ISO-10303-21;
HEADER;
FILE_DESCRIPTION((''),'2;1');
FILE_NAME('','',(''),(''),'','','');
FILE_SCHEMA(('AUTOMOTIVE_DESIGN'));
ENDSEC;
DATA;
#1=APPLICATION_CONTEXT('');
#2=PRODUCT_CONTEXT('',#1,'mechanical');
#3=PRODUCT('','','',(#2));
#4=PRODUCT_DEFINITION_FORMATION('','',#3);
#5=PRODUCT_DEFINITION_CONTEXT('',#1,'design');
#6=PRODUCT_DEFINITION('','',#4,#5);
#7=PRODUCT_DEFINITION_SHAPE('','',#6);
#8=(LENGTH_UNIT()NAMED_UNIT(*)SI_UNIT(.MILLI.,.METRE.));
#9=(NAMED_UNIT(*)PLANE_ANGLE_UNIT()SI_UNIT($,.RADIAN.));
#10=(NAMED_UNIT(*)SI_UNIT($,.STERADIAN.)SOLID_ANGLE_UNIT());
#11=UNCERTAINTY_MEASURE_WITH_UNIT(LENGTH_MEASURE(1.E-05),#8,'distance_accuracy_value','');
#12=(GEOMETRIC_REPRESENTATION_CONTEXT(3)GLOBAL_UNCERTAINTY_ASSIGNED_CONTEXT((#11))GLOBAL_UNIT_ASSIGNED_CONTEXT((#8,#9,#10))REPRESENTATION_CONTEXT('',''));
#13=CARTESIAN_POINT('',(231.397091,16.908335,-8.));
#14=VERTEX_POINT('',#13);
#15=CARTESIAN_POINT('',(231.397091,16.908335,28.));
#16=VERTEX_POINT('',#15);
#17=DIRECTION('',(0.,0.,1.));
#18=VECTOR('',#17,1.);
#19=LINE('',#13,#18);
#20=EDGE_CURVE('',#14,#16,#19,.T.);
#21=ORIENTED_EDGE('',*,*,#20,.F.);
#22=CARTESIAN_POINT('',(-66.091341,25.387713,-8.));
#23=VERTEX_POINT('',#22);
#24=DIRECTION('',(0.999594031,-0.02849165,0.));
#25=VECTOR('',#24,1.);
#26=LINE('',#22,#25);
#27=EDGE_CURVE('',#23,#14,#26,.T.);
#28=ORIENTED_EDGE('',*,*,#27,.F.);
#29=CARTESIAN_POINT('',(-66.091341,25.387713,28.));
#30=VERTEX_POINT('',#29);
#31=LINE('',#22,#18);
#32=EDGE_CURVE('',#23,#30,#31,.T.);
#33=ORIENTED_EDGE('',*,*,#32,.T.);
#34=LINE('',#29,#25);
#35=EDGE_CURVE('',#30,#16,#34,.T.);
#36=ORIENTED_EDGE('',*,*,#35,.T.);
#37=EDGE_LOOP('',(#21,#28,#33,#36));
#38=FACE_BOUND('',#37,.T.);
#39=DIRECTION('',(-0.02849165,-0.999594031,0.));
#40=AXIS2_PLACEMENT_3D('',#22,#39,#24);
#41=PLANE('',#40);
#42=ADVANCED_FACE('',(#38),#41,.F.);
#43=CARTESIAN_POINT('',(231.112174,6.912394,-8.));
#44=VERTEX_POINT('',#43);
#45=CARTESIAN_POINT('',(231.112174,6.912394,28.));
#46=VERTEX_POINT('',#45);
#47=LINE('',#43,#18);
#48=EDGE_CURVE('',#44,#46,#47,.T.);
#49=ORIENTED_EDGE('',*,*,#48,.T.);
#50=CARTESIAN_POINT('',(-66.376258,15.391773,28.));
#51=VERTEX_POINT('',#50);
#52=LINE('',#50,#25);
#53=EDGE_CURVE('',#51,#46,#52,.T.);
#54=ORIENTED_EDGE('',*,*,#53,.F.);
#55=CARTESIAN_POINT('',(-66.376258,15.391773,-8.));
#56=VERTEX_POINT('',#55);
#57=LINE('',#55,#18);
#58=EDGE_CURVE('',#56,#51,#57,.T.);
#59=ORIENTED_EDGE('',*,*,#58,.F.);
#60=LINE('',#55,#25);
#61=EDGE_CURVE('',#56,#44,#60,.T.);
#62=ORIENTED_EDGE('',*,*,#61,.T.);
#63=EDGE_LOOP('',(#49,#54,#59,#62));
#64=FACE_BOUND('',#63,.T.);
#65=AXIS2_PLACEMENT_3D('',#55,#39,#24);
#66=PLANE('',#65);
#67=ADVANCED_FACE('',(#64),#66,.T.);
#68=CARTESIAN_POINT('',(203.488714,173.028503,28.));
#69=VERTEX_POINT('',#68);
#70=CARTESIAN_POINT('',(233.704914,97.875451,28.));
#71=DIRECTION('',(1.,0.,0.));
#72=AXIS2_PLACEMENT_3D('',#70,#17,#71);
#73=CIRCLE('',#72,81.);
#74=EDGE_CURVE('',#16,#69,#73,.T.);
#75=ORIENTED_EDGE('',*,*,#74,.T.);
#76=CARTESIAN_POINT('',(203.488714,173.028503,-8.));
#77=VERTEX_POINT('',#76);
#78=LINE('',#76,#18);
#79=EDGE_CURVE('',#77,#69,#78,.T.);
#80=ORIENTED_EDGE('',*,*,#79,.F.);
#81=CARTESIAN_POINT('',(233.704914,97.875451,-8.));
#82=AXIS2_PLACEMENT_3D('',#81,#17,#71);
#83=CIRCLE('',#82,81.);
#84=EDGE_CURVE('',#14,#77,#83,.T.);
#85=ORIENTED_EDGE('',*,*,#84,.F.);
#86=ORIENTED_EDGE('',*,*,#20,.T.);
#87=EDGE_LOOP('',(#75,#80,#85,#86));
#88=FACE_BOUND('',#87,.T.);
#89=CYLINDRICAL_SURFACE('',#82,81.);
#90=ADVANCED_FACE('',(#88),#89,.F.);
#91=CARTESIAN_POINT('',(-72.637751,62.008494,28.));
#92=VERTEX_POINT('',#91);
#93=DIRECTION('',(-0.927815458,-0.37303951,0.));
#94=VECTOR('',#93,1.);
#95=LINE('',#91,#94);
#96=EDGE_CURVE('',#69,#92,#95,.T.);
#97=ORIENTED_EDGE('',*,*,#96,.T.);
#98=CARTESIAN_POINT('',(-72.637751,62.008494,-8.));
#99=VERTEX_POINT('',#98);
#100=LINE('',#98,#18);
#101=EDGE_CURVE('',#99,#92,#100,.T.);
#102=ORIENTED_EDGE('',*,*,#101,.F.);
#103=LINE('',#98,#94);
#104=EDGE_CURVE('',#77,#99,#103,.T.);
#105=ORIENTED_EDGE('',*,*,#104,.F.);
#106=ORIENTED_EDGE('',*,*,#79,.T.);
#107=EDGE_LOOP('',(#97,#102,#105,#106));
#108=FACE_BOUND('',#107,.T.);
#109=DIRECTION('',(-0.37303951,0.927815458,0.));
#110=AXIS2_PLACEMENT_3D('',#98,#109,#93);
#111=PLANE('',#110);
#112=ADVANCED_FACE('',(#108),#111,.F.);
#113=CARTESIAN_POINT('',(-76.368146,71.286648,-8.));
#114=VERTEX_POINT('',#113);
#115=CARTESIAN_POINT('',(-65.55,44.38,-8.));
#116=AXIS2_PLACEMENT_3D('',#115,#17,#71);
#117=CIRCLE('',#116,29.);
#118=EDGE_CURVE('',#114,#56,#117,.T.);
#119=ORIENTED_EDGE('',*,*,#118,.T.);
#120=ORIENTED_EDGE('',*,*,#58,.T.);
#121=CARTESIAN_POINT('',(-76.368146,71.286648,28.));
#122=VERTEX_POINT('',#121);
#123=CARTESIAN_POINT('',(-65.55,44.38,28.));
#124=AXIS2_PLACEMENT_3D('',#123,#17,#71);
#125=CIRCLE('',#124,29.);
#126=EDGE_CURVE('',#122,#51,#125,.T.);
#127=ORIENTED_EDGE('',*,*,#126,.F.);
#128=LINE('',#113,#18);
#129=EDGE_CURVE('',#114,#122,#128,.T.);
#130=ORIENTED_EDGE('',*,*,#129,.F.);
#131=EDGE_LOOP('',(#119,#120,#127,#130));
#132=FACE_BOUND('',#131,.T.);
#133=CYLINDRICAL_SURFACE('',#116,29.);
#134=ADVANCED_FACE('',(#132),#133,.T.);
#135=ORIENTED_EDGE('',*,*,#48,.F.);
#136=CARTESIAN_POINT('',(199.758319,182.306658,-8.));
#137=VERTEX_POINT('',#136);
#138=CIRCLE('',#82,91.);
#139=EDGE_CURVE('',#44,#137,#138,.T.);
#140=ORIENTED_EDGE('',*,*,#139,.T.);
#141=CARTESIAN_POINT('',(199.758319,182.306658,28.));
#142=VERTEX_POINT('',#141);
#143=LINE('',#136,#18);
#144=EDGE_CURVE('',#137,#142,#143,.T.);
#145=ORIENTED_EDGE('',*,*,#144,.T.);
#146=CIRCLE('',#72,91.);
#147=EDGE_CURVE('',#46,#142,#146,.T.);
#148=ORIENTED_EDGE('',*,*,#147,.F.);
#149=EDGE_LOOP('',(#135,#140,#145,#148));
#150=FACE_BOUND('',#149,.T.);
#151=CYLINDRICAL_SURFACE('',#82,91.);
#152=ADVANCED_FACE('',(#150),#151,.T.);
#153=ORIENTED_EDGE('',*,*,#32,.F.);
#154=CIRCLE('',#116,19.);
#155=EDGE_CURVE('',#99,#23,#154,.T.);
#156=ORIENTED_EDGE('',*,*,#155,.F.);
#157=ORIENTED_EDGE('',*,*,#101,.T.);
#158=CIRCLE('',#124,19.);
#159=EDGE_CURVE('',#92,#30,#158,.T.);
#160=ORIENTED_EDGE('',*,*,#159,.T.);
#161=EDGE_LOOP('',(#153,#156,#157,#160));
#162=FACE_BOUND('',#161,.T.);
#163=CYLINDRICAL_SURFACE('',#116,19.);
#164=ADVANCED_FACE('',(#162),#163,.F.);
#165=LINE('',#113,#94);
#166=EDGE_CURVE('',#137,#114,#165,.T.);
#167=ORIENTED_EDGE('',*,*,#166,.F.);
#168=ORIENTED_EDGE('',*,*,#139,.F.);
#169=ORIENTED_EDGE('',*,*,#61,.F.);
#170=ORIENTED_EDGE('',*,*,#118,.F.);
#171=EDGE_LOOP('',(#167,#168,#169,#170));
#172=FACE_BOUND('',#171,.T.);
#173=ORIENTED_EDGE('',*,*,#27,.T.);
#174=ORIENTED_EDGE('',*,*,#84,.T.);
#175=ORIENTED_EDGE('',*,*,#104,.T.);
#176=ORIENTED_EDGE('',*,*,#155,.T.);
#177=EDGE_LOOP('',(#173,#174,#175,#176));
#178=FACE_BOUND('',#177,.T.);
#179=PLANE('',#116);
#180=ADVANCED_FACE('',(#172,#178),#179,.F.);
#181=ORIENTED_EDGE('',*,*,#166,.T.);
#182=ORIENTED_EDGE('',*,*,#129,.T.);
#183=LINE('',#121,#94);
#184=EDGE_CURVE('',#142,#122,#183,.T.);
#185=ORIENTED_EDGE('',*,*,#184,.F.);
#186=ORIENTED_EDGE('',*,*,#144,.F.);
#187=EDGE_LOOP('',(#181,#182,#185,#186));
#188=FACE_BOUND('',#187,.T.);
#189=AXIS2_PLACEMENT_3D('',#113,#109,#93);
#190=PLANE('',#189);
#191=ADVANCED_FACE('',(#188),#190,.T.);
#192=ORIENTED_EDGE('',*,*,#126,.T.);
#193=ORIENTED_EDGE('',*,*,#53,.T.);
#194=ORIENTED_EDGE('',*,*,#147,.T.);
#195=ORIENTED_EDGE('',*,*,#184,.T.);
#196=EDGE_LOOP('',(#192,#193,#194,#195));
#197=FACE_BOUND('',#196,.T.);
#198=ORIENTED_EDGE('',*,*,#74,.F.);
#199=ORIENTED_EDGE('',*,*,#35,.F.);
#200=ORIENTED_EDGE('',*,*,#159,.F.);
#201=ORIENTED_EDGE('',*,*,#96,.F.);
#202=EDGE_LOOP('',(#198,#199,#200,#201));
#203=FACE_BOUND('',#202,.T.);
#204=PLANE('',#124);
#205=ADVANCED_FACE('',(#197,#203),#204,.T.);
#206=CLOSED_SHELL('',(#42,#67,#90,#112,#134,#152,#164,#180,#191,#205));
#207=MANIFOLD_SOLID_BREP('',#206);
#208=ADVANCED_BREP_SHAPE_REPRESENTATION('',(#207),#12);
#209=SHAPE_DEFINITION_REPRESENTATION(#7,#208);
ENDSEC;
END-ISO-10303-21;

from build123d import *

# Parameters (mm, degrees)
EXTRUDE_THIN1_DEPTH      = 28
EXTRUDE_THIN1_DEPTH_BACK = 8


with BuildPart() as part:
    # Sketch1 → Extrude-Thin1 (new, two sides: drawn at the far end of the back side and taken through both)
    with BuildSketch(Plane.XY.offset(-EXTRUDE_THIN1_DEPTH_BACK)):
        with BuildLine():
            Line((231.112174246, 6.912394388), (-66.376257857, 15.391773115))
            ThreePointArc((-66.376257857, 15.391773115), (-94.097457007, 39.276795278), (-76.368145779, 71.286648284))
            Line((-76.368145779, 71.286648284), (199.758319042, 182.306657851))
            ThreePointArc((199.758319042, 182.306657851), (323.284865716, 113.888955637), (231.112174246, 6.912394388))
        make_face()
        with BuildLine():
            Line((231.397090748, 16.908334693), (-66.091341355, 25.38771342))
            ThreePointArc((-66.091341355, 25.38771342), (-84.253506315, 41.036521044), (-72.637750683, 62.008493704))
            Line((-72.637750683, 62.008493704), (203.488714138, 173.02850327))
            ThreePointArc((203.488714138, 173.02850327), (313.440915024, 112.129229871), (231.397090748, 16.908334693))
        make_face(mode=Mode.SUBTRACT)
    extrude(amount=EXTRUDE_THIN1_DEPTH + EXTRUDE_THIN1_DEPTH_BACK)


solid = part.part
